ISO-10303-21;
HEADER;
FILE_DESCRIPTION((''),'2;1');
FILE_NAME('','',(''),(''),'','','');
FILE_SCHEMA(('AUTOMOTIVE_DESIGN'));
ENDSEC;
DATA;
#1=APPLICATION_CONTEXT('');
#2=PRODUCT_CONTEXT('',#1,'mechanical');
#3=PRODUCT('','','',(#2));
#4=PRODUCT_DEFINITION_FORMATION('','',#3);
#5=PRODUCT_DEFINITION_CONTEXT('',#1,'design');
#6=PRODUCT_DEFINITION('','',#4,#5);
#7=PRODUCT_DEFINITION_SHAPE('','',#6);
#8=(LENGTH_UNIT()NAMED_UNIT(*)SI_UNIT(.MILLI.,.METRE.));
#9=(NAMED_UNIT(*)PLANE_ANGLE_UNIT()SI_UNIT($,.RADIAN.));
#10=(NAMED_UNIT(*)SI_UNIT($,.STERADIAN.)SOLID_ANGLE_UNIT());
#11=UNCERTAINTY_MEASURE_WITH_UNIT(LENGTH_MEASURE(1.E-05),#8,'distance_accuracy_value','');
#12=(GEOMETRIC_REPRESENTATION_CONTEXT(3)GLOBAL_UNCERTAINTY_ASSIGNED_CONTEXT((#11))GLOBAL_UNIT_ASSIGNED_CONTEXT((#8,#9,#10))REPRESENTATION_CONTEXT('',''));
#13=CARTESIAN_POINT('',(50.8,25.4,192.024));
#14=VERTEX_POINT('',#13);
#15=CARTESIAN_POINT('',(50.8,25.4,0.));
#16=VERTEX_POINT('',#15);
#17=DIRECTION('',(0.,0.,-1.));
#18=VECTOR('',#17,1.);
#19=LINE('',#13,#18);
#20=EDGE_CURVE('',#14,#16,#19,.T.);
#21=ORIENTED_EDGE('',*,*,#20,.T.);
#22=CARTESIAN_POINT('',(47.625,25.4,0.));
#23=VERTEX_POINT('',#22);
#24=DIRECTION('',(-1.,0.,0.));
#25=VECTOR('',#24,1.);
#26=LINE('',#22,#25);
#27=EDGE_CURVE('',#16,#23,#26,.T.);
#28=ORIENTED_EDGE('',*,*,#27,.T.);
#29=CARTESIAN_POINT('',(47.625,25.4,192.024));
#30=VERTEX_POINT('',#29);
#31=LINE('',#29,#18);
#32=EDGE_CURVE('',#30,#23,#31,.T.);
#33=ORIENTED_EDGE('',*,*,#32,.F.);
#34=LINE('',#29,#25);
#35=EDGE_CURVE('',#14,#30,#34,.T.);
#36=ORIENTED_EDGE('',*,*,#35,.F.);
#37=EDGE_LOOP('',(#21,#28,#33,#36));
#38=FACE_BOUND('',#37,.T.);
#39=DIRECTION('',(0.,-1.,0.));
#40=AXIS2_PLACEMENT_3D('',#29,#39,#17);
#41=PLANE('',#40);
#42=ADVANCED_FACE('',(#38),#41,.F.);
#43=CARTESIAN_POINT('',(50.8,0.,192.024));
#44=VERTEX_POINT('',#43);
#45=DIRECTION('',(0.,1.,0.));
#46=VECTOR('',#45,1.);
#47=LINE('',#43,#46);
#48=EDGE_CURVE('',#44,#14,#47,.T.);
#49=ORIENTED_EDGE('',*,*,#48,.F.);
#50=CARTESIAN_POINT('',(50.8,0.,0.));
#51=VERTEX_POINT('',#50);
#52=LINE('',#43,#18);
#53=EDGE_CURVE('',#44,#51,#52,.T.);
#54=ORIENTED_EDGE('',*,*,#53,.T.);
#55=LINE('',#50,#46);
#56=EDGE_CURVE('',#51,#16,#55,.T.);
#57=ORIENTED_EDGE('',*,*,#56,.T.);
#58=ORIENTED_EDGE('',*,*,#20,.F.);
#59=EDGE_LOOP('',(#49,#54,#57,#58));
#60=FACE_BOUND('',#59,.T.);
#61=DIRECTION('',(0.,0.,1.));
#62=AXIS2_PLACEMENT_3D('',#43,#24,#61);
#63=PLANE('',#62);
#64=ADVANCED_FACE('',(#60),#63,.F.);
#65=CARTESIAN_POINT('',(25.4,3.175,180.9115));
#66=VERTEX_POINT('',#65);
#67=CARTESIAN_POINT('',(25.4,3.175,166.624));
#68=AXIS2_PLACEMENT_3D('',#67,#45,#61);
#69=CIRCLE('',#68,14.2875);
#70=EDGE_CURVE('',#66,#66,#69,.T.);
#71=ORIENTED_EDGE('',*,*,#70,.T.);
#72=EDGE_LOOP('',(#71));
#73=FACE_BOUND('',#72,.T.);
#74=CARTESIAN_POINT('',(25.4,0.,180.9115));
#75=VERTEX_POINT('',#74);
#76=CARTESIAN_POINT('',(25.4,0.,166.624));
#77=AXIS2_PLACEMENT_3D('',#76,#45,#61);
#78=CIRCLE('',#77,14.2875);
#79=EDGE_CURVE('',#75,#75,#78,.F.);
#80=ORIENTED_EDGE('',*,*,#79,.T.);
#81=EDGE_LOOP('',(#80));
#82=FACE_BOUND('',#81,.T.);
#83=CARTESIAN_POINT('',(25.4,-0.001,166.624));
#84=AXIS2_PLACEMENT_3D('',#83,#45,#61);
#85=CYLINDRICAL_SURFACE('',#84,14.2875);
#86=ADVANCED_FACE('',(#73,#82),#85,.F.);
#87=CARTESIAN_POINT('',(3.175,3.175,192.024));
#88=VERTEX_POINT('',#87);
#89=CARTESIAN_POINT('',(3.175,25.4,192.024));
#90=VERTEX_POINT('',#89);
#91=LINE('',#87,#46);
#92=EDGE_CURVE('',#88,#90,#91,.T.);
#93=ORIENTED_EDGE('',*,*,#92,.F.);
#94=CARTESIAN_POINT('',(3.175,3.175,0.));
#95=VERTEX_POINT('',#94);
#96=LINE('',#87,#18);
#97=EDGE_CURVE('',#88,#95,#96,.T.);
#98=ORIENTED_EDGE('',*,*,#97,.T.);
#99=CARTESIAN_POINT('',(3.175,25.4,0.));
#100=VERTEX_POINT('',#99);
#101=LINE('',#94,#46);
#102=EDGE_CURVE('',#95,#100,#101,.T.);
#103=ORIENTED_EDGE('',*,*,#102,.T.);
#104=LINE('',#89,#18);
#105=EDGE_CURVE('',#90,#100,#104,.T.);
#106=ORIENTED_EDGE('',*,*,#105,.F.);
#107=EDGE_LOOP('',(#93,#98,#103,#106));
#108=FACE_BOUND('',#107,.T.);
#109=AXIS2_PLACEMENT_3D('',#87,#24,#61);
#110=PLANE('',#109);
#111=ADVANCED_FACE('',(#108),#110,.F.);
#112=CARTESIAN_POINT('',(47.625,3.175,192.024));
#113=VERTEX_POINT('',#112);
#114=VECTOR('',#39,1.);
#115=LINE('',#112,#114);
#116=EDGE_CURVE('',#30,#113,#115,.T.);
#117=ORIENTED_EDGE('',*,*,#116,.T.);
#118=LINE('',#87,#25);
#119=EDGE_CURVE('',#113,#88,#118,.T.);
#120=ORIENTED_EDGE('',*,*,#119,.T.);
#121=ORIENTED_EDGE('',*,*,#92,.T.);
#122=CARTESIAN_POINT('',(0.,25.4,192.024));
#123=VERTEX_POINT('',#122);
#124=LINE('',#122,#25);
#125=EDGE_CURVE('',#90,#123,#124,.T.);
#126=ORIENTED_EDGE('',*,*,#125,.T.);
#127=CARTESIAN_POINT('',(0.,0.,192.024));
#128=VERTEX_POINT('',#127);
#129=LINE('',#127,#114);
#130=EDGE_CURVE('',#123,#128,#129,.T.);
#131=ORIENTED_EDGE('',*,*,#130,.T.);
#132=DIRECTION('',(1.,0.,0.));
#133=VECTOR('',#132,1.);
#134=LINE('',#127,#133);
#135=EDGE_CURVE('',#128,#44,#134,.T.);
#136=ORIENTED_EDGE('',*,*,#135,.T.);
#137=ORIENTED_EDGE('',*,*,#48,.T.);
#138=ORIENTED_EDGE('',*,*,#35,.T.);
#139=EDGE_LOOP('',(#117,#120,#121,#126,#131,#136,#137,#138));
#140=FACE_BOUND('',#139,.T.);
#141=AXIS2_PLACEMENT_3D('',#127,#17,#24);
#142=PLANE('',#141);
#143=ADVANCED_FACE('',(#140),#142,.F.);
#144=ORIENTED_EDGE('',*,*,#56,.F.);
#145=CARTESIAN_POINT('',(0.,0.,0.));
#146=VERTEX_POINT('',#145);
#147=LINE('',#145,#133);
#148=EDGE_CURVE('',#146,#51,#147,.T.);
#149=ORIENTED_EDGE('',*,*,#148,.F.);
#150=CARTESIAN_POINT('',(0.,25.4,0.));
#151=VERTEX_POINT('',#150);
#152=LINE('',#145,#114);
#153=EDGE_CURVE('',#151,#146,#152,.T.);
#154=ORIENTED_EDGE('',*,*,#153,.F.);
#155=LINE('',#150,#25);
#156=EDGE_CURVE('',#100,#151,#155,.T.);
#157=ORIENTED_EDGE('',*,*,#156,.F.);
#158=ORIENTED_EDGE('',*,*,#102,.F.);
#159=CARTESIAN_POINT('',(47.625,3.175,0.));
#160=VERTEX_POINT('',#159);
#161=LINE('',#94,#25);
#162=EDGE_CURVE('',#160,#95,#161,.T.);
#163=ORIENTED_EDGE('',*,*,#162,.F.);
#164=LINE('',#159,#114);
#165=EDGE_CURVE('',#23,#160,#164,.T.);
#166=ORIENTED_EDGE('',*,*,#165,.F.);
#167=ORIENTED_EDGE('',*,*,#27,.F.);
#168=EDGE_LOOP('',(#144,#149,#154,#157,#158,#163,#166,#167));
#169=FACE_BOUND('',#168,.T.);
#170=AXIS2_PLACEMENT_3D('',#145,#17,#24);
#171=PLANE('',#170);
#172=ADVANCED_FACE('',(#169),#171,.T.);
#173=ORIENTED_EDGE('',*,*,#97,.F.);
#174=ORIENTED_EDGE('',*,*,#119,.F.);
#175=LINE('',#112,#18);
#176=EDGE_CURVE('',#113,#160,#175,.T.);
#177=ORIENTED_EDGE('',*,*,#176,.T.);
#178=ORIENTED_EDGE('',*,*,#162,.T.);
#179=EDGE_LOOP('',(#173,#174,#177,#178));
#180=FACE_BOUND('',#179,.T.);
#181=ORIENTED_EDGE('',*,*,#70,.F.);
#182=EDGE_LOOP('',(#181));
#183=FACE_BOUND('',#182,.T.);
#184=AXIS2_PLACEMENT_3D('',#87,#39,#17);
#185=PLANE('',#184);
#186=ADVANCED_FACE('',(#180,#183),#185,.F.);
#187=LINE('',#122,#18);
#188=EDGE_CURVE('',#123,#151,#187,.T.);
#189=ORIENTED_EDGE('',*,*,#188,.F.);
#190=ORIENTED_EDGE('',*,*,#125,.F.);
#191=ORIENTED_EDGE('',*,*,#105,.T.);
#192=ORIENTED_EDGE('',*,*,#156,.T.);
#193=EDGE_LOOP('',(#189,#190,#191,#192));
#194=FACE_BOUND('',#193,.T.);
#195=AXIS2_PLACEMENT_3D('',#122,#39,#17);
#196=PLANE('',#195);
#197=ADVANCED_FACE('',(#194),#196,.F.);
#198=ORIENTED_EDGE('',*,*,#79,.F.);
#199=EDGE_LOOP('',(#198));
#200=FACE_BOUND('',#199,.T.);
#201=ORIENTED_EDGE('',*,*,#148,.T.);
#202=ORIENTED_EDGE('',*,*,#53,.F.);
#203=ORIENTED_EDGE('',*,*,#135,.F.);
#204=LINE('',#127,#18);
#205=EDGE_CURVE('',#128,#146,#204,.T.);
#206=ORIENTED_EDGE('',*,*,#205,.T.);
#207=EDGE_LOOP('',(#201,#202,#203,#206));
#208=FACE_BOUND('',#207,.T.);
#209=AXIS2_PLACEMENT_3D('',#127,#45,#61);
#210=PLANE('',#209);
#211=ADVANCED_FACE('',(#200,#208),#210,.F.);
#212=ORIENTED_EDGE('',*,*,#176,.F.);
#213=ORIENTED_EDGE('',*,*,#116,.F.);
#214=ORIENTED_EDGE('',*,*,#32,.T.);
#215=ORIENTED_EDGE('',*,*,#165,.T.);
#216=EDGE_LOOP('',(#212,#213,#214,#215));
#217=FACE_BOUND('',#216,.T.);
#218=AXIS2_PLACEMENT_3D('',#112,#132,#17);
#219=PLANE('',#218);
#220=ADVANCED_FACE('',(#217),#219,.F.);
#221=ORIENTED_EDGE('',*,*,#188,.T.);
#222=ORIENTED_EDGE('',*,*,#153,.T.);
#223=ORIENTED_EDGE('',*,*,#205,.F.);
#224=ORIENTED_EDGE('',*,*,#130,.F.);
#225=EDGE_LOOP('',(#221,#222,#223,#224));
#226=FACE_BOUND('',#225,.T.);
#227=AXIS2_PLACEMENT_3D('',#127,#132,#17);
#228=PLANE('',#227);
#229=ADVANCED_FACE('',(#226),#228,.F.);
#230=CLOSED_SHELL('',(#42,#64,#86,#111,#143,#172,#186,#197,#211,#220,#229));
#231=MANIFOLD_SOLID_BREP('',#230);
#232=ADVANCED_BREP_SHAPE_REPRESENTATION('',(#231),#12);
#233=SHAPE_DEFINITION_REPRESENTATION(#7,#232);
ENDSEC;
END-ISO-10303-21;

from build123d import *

# Parameters (mm, degrees)
EXTRUDE_F_DEPTH    = 192.024
CUT_EXTRUDE1_REACH = 201.869
SKETCH2_R          = 14.2875


with BuildPart() as part:
    # Sketch1 → Extrude f (new body)
    with BuildSketch(Plane.XY):
        Polygon((3.175, 3.175), (3.175, 25.4), (0, 25.4), (0, 0), (50.8, 0), (50.8, 25.4), (47.625, 25.4), (47.625, 3.175), align=None)
    extrude(amount=EXTRUDE_F_DEPTH)

    # Sketch2 → Cut-Extrude1 (cut, up to next)
    with BuildSketch(Plane(origin=(0, 3.175, 0), x_dir=(1, 0, 0), z_dir=(0, 1, 0)), mode=Mode.PRIVATE) as cut_extrude1_sk1:
        with Locations(Location((25.4, -166.624, 0), (0, 0, 270))):
            Circle(SKETCH2_R)
    cut_extrude1_tool1 = extrude(cut_extrude1_sk1.sketch, amount=-CUT_EXTRUDE1_REACH, mode=Mode.PRIVATE) & part.part
    add(cut_extrude1_tool1.solids().sort_by_distance((25.4, 3.175, 166.624))[0], mode=Mode.SUBTRACT)


solid = part.part
